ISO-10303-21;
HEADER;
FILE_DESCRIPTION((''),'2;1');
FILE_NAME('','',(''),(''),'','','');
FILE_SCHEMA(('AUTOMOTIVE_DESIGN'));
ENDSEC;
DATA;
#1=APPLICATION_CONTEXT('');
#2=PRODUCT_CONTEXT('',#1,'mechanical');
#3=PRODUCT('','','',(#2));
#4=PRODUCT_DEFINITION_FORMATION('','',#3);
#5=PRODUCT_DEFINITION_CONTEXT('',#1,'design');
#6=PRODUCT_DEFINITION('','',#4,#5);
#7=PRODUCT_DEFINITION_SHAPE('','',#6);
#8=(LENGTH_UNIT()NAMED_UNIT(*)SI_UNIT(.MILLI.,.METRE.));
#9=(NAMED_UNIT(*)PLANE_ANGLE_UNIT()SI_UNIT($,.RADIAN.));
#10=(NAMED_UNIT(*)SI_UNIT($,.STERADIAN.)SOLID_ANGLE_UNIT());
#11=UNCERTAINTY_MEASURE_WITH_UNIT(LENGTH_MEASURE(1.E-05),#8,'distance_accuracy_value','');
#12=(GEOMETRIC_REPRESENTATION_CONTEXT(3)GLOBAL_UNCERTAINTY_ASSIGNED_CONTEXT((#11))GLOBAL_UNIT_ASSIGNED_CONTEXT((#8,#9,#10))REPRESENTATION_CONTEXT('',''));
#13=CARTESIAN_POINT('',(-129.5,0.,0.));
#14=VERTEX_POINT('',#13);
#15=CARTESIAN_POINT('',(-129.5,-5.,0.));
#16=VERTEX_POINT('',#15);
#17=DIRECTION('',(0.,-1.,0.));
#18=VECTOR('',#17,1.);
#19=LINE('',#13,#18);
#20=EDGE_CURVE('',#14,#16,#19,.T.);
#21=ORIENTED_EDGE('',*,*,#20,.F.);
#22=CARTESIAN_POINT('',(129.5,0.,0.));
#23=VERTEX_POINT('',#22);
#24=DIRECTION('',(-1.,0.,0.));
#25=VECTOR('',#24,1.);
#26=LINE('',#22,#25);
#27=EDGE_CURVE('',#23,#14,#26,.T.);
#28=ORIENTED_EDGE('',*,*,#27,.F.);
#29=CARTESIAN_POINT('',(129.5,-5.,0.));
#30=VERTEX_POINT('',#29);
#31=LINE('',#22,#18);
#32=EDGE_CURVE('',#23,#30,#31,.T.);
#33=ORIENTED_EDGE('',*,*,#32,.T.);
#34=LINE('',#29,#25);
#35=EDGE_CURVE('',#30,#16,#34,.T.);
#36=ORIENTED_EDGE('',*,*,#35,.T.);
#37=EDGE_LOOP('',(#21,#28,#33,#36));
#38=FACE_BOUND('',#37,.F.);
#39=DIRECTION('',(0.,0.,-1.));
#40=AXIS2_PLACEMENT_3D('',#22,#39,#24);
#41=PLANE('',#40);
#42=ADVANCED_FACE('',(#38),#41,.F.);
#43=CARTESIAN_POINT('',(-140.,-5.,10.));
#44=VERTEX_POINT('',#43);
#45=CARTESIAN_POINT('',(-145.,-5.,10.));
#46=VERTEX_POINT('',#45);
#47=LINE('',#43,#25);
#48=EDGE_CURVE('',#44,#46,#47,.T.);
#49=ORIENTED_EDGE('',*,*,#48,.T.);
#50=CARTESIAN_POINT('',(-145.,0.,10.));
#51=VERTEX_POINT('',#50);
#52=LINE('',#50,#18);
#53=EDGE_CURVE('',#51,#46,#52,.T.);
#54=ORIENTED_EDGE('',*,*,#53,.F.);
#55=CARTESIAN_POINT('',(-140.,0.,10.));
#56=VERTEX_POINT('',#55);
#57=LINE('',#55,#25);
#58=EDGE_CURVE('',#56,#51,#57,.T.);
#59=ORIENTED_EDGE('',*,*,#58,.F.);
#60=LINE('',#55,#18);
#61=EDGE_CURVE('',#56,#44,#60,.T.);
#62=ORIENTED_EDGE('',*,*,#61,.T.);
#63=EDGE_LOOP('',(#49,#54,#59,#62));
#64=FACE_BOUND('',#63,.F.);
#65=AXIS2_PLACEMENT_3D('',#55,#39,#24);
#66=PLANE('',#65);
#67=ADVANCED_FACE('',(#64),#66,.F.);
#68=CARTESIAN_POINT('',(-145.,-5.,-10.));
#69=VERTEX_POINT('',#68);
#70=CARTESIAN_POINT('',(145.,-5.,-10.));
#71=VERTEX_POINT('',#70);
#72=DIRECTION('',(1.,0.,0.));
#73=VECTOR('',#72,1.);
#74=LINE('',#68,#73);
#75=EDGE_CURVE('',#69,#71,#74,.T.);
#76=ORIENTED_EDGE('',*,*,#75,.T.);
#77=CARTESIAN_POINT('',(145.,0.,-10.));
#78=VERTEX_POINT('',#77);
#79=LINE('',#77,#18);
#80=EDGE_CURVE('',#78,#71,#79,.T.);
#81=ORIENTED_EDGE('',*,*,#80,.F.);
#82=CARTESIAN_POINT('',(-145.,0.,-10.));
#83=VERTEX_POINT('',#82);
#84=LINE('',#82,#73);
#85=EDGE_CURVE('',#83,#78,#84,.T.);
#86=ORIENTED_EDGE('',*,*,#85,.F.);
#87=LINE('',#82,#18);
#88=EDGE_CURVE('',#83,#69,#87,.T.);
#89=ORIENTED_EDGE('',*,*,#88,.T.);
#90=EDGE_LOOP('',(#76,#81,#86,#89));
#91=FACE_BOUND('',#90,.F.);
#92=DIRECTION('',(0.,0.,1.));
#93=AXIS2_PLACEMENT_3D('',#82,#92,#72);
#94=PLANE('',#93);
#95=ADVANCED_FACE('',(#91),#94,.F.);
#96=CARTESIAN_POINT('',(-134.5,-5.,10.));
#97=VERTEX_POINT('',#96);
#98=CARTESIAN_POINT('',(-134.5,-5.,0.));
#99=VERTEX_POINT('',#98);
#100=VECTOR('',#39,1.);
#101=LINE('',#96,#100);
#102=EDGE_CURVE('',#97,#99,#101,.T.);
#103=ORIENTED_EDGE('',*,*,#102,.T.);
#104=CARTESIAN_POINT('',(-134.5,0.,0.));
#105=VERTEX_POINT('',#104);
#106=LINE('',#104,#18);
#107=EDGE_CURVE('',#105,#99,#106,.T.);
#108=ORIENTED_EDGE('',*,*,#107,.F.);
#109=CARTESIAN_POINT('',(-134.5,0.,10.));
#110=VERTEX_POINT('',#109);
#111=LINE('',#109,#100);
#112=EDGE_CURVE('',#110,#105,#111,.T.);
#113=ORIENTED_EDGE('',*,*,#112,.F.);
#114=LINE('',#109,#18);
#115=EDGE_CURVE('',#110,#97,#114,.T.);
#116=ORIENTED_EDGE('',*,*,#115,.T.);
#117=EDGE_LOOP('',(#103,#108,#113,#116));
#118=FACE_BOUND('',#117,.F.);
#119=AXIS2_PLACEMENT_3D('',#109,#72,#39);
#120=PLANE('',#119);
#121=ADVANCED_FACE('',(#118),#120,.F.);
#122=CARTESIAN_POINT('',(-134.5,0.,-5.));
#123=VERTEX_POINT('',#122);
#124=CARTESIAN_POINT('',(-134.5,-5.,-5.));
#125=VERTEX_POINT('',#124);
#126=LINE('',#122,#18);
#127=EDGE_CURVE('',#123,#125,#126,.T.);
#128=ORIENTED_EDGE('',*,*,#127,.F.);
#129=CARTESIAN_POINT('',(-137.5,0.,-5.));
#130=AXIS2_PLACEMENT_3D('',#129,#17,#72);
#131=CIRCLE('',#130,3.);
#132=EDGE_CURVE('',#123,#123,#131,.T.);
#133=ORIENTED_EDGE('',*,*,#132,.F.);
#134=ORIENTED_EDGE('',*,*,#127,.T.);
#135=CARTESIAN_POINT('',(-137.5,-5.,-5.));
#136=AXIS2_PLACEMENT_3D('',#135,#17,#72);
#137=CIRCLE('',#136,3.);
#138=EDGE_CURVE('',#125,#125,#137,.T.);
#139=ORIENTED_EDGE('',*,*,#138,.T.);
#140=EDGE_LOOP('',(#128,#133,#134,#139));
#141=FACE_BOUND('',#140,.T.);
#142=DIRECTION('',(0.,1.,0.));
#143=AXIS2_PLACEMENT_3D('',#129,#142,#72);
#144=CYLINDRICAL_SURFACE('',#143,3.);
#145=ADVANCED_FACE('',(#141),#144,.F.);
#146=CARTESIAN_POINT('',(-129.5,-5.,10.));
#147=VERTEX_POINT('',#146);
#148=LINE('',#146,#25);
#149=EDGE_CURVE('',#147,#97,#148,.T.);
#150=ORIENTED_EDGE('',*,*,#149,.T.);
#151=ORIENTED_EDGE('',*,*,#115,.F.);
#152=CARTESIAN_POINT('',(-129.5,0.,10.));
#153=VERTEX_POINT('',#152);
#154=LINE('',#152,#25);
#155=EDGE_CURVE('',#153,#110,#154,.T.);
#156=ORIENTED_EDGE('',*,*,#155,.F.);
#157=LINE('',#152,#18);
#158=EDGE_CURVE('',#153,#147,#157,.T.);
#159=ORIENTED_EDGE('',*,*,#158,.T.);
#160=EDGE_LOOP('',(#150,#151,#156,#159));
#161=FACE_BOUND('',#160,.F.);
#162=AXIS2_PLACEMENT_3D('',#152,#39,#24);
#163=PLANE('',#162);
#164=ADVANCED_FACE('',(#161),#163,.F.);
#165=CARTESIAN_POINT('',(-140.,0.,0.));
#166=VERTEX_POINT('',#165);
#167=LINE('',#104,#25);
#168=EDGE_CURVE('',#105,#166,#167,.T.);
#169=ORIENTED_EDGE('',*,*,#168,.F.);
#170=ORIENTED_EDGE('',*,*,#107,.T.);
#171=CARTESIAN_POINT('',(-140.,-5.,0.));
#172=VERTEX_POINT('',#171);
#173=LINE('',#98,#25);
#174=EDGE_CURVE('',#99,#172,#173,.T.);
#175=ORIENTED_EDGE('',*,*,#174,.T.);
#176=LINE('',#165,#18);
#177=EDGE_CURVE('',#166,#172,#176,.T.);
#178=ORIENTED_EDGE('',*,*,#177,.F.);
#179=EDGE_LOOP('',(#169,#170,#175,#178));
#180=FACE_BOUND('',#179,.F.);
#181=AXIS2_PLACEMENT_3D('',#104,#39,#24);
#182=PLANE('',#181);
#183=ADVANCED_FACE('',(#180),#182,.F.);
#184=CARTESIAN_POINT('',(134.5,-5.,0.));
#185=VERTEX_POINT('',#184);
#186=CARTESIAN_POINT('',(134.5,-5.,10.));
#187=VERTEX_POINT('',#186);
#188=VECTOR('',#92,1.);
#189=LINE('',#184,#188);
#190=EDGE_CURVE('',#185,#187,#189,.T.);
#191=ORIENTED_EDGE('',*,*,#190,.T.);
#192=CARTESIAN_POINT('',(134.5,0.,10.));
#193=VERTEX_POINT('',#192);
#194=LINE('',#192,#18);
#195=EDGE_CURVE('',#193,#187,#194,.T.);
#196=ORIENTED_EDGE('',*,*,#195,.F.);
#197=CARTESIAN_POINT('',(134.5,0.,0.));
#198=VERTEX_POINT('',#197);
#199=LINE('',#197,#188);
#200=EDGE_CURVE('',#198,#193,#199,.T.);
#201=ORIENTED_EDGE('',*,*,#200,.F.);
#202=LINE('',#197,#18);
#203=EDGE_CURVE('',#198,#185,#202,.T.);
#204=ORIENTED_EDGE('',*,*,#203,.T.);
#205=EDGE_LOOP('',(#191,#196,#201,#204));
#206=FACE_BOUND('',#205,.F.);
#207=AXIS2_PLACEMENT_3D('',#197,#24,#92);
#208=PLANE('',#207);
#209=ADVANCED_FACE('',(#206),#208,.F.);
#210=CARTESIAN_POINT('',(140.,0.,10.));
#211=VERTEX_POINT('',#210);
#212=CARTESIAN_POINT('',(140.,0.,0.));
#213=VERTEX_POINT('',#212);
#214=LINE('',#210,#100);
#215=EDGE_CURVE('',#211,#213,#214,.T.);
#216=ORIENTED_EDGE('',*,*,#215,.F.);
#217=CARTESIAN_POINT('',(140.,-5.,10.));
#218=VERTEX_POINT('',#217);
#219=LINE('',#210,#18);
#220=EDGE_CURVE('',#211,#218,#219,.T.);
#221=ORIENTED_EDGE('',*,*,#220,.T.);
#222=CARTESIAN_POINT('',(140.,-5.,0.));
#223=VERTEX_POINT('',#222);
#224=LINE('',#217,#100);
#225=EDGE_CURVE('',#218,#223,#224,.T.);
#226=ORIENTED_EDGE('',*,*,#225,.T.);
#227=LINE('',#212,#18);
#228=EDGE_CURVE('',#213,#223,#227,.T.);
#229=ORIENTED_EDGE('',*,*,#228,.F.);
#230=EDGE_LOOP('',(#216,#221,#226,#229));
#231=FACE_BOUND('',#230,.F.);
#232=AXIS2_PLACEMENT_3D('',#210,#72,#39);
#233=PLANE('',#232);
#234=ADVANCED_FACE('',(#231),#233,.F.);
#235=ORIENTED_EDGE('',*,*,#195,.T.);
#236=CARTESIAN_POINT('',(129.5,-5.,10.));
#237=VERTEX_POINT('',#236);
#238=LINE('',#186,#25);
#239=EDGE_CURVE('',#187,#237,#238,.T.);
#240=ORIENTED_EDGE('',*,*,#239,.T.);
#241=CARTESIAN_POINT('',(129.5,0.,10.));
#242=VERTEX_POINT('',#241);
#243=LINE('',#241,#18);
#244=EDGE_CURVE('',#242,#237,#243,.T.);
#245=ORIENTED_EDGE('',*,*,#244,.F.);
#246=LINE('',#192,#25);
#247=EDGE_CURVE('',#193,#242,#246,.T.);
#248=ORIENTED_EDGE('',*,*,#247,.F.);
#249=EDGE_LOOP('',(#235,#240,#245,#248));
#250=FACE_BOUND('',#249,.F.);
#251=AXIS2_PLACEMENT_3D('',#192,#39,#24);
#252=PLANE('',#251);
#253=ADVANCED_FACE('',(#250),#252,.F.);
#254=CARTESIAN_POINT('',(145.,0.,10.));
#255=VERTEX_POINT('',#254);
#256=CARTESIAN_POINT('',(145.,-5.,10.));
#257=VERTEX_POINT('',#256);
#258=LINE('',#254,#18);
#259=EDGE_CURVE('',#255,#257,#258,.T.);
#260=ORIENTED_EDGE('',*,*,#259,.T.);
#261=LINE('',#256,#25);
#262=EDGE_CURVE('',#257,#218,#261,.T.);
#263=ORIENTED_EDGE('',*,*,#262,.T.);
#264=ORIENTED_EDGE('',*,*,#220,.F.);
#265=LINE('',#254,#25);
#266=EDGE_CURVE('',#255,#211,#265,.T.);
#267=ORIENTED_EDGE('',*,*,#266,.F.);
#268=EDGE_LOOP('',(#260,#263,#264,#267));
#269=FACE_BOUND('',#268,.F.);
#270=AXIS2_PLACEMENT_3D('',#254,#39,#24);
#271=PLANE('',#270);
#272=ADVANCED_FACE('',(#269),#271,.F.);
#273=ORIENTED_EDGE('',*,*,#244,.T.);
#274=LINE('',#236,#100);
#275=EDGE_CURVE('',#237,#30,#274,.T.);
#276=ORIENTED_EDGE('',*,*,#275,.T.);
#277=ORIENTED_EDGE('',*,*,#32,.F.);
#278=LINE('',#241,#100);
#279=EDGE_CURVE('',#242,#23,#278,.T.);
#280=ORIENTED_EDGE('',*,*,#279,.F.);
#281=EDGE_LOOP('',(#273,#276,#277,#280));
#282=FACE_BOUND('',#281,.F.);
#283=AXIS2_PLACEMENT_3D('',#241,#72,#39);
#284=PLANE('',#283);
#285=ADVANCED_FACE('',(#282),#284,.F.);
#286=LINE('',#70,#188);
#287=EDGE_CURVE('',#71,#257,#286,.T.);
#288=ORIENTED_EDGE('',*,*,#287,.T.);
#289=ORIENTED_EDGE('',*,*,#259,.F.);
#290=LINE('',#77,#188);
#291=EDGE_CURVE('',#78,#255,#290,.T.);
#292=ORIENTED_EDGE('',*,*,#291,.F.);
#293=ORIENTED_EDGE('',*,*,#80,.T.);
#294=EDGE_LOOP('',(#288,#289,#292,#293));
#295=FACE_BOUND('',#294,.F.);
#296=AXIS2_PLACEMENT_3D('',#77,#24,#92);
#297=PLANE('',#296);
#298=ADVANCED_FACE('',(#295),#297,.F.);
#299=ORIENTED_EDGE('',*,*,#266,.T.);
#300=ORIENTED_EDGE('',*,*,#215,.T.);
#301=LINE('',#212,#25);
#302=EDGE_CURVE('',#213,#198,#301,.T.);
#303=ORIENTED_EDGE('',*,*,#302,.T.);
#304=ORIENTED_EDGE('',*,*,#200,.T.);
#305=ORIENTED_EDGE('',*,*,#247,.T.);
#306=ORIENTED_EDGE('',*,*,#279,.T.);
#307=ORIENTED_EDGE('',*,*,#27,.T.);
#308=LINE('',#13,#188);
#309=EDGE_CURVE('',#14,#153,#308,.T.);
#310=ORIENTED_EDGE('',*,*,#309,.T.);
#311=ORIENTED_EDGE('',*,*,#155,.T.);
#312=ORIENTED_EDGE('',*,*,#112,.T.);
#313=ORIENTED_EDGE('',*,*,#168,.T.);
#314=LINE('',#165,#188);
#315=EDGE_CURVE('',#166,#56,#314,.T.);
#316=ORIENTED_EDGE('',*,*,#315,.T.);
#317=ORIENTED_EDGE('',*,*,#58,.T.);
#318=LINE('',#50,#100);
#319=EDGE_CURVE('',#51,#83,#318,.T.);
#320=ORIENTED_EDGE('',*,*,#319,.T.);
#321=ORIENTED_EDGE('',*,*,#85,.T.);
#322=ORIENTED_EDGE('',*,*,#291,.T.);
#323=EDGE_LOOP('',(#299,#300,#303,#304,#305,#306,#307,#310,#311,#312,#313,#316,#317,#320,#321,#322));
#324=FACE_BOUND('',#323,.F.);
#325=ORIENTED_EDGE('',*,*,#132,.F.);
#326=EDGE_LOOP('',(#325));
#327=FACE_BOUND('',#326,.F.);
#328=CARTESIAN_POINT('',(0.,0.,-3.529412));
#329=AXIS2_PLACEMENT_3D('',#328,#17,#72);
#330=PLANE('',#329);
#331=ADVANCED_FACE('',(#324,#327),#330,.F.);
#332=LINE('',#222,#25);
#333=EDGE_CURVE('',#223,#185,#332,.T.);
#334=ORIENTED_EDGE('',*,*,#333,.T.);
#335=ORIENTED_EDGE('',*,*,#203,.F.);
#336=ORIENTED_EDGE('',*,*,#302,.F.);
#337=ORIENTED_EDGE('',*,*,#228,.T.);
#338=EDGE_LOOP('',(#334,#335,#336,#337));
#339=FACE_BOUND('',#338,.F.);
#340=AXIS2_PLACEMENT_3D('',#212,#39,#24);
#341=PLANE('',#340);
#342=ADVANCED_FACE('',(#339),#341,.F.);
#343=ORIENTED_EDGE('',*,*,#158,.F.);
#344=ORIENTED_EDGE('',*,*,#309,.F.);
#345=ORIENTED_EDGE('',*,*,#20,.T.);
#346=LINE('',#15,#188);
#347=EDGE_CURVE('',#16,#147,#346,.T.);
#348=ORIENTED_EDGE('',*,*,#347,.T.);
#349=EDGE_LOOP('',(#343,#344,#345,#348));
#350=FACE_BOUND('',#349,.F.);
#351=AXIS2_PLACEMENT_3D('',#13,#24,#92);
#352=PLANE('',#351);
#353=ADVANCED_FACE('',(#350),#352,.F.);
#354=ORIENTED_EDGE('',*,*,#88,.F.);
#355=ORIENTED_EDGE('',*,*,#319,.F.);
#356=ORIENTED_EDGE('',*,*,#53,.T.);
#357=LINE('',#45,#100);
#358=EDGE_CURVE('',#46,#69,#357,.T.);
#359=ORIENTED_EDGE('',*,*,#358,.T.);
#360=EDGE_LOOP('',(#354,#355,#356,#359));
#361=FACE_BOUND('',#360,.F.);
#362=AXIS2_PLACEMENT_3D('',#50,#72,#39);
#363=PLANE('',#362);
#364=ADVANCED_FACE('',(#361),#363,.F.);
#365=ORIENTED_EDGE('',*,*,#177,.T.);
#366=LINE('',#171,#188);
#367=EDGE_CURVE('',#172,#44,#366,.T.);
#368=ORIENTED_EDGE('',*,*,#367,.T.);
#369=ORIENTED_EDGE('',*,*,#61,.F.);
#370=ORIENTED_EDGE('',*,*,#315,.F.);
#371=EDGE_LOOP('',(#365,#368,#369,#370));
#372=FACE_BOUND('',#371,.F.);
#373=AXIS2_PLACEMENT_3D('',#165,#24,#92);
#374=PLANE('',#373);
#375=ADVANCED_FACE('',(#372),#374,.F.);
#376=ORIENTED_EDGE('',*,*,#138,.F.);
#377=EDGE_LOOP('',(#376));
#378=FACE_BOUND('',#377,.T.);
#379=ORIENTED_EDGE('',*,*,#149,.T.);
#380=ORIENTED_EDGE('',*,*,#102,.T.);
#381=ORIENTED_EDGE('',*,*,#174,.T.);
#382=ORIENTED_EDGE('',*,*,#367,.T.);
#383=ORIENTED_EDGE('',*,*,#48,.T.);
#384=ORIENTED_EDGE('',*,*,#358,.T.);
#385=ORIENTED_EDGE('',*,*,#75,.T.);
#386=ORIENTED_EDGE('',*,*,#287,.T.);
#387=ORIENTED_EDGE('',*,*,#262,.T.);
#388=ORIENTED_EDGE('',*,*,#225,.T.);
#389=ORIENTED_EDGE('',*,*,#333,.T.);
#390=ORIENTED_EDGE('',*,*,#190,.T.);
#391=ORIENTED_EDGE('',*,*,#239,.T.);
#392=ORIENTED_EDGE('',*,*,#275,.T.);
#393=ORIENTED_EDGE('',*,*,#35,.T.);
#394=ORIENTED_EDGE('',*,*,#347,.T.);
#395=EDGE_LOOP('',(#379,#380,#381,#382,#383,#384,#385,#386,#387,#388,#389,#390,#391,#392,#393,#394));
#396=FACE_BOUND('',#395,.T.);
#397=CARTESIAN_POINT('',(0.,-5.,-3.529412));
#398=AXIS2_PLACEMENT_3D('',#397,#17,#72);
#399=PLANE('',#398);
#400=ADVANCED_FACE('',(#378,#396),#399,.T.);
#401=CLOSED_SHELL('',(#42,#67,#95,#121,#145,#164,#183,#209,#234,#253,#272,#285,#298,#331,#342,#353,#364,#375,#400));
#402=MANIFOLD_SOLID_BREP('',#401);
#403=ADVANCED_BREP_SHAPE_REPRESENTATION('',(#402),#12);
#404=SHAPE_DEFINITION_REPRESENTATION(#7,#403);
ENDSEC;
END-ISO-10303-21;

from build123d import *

# Parameters (mm, degrees)
F0_R     = 3
F1_DEPTH = 5


with BuildPart() as f1:
    # F0 (on Front) → F1 (new body)
    with BuildSketch(Plane.XZ):
        Polygon((-145, -10), (145, -10), (145, 10), (140, 10), (140, 0), (134.5, 0), (134.5, 10), (129.5, 10), (129.5, 0), (-129.5, 0), (-129.5, 10), (-134.5, 10), (-134.5, 0), (-140, 0), (-140, 10), (-145, 10), align=None)
        with Locations((-137.5, -5)):
            Circle(F0_R, mode=Mode.SUBTRACT)
    extrude(amount=F1_DEPTH)


solid = f1.part
